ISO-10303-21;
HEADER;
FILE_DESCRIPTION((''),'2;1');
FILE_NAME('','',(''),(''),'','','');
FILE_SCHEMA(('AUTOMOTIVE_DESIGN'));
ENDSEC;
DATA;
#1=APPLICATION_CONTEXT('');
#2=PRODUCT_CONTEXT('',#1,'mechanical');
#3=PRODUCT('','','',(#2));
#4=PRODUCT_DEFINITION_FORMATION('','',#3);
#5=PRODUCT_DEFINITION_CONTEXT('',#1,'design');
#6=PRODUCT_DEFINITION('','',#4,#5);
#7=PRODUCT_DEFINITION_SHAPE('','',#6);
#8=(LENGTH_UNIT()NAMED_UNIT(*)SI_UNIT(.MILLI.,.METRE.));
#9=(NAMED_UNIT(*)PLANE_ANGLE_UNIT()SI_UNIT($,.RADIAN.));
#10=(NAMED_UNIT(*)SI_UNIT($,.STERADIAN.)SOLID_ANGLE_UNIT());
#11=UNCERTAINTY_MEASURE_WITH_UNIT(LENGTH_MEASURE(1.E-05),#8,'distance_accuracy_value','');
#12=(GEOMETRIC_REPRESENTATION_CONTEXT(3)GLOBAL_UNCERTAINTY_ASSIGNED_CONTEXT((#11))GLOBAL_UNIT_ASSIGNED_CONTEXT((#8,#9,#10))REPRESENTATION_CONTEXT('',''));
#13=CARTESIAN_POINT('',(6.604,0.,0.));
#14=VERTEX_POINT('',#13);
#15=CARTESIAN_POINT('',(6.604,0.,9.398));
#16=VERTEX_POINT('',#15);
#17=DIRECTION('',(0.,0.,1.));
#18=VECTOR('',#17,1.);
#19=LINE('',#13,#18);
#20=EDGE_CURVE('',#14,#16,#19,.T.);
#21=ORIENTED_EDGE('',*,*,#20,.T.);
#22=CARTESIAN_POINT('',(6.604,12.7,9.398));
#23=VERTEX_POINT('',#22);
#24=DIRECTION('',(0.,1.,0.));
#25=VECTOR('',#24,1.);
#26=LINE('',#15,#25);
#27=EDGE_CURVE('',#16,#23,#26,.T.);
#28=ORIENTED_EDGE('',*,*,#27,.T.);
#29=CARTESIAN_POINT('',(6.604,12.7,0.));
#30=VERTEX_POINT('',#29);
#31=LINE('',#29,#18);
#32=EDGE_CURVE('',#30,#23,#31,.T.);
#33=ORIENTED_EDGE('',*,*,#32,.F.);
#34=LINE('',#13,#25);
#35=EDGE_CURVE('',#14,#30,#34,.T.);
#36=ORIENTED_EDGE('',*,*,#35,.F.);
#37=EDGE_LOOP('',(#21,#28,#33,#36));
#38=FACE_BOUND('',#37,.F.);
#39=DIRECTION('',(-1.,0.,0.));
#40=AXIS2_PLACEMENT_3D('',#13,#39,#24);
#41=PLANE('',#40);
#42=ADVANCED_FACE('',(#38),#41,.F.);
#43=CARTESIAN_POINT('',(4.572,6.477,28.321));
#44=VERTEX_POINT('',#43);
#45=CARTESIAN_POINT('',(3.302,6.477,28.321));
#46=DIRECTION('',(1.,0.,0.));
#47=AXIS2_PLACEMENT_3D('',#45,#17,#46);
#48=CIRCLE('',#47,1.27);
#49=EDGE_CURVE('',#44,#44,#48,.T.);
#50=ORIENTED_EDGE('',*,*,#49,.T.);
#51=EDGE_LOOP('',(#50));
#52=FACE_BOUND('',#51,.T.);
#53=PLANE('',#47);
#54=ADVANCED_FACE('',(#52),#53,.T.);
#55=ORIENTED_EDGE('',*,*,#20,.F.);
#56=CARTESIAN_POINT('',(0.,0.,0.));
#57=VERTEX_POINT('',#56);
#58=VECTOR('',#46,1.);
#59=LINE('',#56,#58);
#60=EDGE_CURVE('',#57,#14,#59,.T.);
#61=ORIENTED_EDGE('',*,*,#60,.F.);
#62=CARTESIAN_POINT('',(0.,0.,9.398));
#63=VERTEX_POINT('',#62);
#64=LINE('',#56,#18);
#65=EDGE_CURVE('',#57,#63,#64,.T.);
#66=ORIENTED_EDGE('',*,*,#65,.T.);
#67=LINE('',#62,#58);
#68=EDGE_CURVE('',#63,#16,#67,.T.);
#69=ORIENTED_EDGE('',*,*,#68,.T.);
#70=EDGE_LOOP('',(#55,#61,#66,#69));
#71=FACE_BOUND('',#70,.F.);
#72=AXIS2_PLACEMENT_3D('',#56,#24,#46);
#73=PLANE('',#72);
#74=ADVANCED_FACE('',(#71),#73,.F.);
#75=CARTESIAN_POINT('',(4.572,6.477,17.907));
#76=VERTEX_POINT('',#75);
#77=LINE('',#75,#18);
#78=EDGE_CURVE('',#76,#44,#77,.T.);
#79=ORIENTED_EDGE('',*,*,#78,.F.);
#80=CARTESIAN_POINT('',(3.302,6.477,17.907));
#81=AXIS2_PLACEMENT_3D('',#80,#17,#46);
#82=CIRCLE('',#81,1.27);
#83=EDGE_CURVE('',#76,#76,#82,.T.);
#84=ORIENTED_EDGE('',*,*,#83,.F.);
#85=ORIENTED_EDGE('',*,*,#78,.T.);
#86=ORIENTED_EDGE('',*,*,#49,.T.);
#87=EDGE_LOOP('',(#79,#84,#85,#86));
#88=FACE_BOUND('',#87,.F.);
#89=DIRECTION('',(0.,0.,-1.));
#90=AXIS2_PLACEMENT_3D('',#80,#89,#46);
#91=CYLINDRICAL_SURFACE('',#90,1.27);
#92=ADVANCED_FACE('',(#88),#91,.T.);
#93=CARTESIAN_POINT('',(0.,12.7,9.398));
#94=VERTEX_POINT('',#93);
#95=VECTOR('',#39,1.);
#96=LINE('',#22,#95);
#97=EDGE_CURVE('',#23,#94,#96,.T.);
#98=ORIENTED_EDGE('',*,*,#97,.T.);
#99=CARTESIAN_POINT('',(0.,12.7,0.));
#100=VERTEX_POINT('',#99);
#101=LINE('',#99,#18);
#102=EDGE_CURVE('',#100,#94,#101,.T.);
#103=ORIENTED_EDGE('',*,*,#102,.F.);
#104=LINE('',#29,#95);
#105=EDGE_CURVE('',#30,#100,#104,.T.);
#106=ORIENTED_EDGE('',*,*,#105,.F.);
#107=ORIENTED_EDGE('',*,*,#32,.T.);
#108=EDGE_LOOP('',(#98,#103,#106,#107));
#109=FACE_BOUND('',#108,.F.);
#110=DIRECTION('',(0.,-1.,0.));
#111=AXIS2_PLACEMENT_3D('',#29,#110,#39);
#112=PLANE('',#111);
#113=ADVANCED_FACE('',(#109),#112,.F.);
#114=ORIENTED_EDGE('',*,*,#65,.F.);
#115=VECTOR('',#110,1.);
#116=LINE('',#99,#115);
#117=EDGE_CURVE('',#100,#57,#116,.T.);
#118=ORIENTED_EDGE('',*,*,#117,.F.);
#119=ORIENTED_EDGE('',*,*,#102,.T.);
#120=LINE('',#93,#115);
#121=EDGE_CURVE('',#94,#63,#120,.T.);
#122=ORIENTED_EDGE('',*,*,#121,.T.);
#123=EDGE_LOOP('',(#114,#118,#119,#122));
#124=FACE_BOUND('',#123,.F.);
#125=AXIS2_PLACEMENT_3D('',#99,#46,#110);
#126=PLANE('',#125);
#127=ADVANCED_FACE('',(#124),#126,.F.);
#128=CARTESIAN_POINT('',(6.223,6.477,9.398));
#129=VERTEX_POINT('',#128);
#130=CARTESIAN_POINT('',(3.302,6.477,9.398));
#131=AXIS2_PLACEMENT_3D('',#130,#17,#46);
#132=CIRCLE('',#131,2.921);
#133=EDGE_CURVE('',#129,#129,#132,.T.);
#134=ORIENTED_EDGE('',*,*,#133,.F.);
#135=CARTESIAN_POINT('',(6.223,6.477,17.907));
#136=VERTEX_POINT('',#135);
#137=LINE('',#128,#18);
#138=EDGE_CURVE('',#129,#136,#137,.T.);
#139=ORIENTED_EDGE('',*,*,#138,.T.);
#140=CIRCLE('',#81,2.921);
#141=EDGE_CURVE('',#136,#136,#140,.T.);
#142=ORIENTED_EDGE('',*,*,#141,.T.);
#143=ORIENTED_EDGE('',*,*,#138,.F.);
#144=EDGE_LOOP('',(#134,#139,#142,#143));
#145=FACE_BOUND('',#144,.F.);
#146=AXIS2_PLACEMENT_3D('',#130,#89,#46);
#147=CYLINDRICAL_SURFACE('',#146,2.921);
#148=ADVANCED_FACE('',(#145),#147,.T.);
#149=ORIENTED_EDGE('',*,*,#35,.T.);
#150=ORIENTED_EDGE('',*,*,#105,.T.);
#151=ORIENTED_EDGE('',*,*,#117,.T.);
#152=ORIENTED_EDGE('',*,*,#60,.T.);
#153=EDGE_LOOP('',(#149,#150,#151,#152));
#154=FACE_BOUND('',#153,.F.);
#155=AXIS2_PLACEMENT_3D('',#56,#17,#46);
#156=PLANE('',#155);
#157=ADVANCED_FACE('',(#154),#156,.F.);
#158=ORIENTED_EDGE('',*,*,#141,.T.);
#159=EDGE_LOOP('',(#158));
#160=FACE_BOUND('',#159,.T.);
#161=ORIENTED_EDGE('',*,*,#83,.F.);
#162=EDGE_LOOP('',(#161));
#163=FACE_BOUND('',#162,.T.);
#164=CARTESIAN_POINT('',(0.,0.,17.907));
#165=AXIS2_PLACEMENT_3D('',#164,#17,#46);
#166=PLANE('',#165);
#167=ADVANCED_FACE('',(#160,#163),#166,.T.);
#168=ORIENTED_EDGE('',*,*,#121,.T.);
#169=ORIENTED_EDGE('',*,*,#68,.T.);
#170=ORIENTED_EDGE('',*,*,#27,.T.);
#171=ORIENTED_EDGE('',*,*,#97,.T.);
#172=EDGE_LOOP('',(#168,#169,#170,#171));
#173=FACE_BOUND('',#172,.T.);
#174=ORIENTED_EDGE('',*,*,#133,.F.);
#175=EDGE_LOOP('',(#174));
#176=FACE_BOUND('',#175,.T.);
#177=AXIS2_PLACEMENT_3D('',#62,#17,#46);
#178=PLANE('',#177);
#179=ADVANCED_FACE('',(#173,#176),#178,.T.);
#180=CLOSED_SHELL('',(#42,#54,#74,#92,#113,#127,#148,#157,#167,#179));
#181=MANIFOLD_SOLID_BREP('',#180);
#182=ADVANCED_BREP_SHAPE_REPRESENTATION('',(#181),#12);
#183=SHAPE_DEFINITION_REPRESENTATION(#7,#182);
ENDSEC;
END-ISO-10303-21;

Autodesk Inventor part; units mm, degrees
ref_plane "YZ Plane" through (0, 0, 0) normal (1, 0, 0) x (0, 1, 0)
ref_plane "XZ Plane" through (0, 0, 0) normal (0, 1, 0) x (-1, 0, 0)
ref_plane "XY Plane" through (0, 0, 0) normal (0, 0, 1) x (1, 0, 0)
sketch "Sketch2" plane through (0, 0, 0) normal (0, 0, 1) x (1, 0, 0)
  line L0 (0, 0) -> (6.604, 0)
  line L1 (6.604, 0) -> (6.604, 12.7)
  line L2 (6.604, 12.7) -> (0, 12.7)
  line L3 (0, 12.7) -> (0, 0)
  dimension "d0" = 6.604
  dimension "d1" = 12.7
extrude "Extrusion1" add sketch "Sketch2" along normal blind 9.398
sketch "Sketch3" plane through (0, 0, 9.398) normal (0, 0, 1) x (1, 0, 0)
  line L0 (6.604, 12.7) -> (0, 12.7) projected
  line L1 (3.302, 9.398) -> (3.302, 3.556) construction
  circle A0 centre (3.302, 6.477) radius 2.921
  point P0 (0, 0)
  dimension "d5" = 5.842
extrude "Extrusion2" add sketch "Sketch3" along normal blind 8.509
sketch "Sketch4" plane through (3.302, 6.477, 17.907) normal (0, 0, 1) x (1, 0, 0)
  circle A0 centre (0, 0) radius 1.27
  point P0 (-3.302, -6.477)
  dimension "d8" = 2.54
extrude "Extrusion3" add sketch "Sketch4" along normal blind 10.414
properties part number "msheehan_switch"
